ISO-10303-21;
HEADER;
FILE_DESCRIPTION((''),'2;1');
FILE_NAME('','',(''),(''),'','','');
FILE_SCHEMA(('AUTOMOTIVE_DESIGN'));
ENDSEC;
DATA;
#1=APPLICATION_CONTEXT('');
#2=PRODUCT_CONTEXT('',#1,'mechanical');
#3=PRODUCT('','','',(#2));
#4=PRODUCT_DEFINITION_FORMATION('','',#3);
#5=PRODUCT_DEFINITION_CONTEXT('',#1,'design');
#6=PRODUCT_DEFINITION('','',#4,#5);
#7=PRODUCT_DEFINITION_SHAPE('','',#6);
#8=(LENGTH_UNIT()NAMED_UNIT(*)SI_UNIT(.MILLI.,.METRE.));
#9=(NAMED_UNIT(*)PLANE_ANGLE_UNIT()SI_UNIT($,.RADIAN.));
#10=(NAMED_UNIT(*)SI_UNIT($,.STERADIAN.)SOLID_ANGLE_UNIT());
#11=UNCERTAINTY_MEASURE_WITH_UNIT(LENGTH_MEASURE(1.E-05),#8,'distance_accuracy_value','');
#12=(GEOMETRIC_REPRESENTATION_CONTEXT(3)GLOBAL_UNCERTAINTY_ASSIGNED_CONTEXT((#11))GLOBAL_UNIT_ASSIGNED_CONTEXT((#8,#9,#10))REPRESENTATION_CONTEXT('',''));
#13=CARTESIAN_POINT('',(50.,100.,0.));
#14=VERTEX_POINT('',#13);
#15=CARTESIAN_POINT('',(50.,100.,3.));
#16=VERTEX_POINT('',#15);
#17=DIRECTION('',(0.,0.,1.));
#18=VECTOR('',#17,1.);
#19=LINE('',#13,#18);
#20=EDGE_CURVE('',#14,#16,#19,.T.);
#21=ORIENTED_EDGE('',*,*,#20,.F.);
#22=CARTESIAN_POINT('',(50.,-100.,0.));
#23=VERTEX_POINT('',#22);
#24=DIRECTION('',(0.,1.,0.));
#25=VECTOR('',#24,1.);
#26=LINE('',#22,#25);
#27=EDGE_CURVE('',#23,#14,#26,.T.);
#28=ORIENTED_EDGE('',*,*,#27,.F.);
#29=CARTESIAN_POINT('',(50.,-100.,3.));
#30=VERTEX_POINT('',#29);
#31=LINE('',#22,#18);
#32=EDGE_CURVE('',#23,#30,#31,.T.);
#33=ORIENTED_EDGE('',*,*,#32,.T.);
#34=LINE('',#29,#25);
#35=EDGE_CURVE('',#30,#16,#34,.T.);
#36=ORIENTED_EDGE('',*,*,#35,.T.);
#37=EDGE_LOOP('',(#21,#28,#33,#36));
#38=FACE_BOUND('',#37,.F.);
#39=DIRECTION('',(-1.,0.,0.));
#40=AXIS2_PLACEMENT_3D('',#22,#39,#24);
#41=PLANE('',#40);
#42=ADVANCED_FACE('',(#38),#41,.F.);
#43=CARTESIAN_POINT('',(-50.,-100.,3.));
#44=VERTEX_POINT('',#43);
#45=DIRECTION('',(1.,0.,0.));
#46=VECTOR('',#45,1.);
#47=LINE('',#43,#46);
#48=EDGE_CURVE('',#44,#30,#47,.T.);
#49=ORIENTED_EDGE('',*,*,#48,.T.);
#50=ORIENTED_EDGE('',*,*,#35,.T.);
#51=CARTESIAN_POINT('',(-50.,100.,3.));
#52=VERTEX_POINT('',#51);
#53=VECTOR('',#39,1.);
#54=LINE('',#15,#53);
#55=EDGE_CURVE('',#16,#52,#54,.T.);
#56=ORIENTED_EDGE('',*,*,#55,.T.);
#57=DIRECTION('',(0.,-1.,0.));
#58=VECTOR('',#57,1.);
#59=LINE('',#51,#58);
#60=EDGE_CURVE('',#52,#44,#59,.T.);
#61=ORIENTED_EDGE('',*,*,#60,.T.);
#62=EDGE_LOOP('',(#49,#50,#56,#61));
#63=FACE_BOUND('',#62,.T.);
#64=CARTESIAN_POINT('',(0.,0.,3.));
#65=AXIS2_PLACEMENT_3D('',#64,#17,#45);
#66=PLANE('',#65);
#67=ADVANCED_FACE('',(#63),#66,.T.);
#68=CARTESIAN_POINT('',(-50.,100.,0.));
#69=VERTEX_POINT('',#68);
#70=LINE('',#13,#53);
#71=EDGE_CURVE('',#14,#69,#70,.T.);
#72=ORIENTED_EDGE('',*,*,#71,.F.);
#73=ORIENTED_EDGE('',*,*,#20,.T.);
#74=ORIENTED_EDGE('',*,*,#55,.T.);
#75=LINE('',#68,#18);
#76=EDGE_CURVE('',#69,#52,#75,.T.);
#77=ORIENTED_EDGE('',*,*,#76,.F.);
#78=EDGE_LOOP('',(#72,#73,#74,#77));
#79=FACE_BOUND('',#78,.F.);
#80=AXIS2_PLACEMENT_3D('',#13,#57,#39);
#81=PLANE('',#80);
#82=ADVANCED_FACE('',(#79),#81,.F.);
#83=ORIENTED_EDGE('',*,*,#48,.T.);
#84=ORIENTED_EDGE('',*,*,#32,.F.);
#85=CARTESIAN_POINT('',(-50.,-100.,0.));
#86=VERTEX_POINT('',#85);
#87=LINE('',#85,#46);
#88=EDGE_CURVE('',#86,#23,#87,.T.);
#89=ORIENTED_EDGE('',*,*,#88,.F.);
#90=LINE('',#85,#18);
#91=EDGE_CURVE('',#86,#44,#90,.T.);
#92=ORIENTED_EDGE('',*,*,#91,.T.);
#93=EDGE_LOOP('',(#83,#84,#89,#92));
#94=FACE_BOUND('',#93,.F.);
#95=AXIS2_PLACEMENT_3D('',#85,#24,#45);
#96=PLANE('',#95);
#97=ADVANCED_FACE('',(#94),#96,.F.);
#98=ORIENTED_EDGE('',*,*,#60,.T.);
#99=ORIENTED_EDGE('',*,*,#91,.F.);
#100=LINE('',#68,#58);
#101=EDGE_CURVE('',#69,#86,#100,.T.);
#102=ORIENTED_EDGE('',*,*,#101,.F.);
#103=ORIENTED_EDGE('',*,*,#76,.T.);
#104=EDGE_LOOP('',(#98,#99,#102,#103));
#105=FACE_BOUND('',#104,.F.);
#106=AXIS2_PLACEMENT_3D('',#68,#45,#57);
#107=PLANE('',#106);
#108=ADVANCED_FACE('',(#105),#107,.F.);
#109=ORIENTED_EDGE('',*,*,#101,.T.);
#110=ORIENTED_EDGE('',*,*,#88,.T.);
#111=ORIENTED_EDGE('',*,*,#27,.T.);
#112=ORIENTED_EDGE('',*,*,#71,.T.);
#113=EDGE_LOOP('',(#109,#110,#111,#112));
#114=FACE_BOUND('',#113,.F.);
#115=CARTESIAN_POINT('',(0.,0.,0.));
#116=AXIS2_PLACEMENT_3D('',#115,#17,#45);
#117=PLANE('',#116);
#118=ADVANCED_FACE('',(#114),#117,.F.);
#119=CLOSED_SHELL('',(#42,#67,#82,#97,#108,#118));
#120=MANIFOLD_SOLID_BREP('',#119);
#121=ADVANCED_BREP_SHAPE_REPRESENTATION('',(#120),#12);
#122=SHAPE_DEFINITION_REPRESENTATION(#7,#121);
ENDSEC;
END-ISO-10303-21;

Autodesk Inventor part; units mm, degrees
ref_plane "YZ Plane" through (0, 0, 0) normal (1, 0, 0) x (0, 1, 0)
ref_plane "XZ Plane" through (0, 0, 0) normal (0, 1, 0) x (-1, 0, 0)
ref_plane "XY Plane" through (0, 0, 0) normal (0, 0, 1) x (1, 0, 0)
sketch "Sketch1" plane through (0, 0, 0) normal (0, 0, 1) x (1, 0, 0)
  line L0 (-50, -100) -> (50, -100)
  line L1 (50, -100) -> (50, 100)
  line L2 (50, 100) -> (-50, 100)
  line L3 (-50, 100) -> (-50, -100)
  line L4 (-50, -100) -> (50, 100) construction
  line L5 (50, -100) -> (-50, 100) construction
  point P0 (0, 0)
  dimension "d0" = 100
  dimension "d1" = 200
extrude "Plate1" add sketch "Sketch1" along normal blind 3
equation "\"d2\" = Thickness"
equation "\"BendReliefWidth\" = Thickness"
equation "\"BendReliefDepth\" = 0.5 * Thickness"
equation "\"CornerReliefSize\" = 4 * Thickness"
equation "\"MinimumRemnant\" = 2 * Thickness"
equation "\"TransitionRadius\" = BendRadius"
equation "\"JacobiRadiusSize\" = BendRadius"
equation "\"GapSize\" = Thickness"
equation "\"Thickness\" = 3"
equation "\"BendRadius\" = 5"
properties material "Stainless Steel"
